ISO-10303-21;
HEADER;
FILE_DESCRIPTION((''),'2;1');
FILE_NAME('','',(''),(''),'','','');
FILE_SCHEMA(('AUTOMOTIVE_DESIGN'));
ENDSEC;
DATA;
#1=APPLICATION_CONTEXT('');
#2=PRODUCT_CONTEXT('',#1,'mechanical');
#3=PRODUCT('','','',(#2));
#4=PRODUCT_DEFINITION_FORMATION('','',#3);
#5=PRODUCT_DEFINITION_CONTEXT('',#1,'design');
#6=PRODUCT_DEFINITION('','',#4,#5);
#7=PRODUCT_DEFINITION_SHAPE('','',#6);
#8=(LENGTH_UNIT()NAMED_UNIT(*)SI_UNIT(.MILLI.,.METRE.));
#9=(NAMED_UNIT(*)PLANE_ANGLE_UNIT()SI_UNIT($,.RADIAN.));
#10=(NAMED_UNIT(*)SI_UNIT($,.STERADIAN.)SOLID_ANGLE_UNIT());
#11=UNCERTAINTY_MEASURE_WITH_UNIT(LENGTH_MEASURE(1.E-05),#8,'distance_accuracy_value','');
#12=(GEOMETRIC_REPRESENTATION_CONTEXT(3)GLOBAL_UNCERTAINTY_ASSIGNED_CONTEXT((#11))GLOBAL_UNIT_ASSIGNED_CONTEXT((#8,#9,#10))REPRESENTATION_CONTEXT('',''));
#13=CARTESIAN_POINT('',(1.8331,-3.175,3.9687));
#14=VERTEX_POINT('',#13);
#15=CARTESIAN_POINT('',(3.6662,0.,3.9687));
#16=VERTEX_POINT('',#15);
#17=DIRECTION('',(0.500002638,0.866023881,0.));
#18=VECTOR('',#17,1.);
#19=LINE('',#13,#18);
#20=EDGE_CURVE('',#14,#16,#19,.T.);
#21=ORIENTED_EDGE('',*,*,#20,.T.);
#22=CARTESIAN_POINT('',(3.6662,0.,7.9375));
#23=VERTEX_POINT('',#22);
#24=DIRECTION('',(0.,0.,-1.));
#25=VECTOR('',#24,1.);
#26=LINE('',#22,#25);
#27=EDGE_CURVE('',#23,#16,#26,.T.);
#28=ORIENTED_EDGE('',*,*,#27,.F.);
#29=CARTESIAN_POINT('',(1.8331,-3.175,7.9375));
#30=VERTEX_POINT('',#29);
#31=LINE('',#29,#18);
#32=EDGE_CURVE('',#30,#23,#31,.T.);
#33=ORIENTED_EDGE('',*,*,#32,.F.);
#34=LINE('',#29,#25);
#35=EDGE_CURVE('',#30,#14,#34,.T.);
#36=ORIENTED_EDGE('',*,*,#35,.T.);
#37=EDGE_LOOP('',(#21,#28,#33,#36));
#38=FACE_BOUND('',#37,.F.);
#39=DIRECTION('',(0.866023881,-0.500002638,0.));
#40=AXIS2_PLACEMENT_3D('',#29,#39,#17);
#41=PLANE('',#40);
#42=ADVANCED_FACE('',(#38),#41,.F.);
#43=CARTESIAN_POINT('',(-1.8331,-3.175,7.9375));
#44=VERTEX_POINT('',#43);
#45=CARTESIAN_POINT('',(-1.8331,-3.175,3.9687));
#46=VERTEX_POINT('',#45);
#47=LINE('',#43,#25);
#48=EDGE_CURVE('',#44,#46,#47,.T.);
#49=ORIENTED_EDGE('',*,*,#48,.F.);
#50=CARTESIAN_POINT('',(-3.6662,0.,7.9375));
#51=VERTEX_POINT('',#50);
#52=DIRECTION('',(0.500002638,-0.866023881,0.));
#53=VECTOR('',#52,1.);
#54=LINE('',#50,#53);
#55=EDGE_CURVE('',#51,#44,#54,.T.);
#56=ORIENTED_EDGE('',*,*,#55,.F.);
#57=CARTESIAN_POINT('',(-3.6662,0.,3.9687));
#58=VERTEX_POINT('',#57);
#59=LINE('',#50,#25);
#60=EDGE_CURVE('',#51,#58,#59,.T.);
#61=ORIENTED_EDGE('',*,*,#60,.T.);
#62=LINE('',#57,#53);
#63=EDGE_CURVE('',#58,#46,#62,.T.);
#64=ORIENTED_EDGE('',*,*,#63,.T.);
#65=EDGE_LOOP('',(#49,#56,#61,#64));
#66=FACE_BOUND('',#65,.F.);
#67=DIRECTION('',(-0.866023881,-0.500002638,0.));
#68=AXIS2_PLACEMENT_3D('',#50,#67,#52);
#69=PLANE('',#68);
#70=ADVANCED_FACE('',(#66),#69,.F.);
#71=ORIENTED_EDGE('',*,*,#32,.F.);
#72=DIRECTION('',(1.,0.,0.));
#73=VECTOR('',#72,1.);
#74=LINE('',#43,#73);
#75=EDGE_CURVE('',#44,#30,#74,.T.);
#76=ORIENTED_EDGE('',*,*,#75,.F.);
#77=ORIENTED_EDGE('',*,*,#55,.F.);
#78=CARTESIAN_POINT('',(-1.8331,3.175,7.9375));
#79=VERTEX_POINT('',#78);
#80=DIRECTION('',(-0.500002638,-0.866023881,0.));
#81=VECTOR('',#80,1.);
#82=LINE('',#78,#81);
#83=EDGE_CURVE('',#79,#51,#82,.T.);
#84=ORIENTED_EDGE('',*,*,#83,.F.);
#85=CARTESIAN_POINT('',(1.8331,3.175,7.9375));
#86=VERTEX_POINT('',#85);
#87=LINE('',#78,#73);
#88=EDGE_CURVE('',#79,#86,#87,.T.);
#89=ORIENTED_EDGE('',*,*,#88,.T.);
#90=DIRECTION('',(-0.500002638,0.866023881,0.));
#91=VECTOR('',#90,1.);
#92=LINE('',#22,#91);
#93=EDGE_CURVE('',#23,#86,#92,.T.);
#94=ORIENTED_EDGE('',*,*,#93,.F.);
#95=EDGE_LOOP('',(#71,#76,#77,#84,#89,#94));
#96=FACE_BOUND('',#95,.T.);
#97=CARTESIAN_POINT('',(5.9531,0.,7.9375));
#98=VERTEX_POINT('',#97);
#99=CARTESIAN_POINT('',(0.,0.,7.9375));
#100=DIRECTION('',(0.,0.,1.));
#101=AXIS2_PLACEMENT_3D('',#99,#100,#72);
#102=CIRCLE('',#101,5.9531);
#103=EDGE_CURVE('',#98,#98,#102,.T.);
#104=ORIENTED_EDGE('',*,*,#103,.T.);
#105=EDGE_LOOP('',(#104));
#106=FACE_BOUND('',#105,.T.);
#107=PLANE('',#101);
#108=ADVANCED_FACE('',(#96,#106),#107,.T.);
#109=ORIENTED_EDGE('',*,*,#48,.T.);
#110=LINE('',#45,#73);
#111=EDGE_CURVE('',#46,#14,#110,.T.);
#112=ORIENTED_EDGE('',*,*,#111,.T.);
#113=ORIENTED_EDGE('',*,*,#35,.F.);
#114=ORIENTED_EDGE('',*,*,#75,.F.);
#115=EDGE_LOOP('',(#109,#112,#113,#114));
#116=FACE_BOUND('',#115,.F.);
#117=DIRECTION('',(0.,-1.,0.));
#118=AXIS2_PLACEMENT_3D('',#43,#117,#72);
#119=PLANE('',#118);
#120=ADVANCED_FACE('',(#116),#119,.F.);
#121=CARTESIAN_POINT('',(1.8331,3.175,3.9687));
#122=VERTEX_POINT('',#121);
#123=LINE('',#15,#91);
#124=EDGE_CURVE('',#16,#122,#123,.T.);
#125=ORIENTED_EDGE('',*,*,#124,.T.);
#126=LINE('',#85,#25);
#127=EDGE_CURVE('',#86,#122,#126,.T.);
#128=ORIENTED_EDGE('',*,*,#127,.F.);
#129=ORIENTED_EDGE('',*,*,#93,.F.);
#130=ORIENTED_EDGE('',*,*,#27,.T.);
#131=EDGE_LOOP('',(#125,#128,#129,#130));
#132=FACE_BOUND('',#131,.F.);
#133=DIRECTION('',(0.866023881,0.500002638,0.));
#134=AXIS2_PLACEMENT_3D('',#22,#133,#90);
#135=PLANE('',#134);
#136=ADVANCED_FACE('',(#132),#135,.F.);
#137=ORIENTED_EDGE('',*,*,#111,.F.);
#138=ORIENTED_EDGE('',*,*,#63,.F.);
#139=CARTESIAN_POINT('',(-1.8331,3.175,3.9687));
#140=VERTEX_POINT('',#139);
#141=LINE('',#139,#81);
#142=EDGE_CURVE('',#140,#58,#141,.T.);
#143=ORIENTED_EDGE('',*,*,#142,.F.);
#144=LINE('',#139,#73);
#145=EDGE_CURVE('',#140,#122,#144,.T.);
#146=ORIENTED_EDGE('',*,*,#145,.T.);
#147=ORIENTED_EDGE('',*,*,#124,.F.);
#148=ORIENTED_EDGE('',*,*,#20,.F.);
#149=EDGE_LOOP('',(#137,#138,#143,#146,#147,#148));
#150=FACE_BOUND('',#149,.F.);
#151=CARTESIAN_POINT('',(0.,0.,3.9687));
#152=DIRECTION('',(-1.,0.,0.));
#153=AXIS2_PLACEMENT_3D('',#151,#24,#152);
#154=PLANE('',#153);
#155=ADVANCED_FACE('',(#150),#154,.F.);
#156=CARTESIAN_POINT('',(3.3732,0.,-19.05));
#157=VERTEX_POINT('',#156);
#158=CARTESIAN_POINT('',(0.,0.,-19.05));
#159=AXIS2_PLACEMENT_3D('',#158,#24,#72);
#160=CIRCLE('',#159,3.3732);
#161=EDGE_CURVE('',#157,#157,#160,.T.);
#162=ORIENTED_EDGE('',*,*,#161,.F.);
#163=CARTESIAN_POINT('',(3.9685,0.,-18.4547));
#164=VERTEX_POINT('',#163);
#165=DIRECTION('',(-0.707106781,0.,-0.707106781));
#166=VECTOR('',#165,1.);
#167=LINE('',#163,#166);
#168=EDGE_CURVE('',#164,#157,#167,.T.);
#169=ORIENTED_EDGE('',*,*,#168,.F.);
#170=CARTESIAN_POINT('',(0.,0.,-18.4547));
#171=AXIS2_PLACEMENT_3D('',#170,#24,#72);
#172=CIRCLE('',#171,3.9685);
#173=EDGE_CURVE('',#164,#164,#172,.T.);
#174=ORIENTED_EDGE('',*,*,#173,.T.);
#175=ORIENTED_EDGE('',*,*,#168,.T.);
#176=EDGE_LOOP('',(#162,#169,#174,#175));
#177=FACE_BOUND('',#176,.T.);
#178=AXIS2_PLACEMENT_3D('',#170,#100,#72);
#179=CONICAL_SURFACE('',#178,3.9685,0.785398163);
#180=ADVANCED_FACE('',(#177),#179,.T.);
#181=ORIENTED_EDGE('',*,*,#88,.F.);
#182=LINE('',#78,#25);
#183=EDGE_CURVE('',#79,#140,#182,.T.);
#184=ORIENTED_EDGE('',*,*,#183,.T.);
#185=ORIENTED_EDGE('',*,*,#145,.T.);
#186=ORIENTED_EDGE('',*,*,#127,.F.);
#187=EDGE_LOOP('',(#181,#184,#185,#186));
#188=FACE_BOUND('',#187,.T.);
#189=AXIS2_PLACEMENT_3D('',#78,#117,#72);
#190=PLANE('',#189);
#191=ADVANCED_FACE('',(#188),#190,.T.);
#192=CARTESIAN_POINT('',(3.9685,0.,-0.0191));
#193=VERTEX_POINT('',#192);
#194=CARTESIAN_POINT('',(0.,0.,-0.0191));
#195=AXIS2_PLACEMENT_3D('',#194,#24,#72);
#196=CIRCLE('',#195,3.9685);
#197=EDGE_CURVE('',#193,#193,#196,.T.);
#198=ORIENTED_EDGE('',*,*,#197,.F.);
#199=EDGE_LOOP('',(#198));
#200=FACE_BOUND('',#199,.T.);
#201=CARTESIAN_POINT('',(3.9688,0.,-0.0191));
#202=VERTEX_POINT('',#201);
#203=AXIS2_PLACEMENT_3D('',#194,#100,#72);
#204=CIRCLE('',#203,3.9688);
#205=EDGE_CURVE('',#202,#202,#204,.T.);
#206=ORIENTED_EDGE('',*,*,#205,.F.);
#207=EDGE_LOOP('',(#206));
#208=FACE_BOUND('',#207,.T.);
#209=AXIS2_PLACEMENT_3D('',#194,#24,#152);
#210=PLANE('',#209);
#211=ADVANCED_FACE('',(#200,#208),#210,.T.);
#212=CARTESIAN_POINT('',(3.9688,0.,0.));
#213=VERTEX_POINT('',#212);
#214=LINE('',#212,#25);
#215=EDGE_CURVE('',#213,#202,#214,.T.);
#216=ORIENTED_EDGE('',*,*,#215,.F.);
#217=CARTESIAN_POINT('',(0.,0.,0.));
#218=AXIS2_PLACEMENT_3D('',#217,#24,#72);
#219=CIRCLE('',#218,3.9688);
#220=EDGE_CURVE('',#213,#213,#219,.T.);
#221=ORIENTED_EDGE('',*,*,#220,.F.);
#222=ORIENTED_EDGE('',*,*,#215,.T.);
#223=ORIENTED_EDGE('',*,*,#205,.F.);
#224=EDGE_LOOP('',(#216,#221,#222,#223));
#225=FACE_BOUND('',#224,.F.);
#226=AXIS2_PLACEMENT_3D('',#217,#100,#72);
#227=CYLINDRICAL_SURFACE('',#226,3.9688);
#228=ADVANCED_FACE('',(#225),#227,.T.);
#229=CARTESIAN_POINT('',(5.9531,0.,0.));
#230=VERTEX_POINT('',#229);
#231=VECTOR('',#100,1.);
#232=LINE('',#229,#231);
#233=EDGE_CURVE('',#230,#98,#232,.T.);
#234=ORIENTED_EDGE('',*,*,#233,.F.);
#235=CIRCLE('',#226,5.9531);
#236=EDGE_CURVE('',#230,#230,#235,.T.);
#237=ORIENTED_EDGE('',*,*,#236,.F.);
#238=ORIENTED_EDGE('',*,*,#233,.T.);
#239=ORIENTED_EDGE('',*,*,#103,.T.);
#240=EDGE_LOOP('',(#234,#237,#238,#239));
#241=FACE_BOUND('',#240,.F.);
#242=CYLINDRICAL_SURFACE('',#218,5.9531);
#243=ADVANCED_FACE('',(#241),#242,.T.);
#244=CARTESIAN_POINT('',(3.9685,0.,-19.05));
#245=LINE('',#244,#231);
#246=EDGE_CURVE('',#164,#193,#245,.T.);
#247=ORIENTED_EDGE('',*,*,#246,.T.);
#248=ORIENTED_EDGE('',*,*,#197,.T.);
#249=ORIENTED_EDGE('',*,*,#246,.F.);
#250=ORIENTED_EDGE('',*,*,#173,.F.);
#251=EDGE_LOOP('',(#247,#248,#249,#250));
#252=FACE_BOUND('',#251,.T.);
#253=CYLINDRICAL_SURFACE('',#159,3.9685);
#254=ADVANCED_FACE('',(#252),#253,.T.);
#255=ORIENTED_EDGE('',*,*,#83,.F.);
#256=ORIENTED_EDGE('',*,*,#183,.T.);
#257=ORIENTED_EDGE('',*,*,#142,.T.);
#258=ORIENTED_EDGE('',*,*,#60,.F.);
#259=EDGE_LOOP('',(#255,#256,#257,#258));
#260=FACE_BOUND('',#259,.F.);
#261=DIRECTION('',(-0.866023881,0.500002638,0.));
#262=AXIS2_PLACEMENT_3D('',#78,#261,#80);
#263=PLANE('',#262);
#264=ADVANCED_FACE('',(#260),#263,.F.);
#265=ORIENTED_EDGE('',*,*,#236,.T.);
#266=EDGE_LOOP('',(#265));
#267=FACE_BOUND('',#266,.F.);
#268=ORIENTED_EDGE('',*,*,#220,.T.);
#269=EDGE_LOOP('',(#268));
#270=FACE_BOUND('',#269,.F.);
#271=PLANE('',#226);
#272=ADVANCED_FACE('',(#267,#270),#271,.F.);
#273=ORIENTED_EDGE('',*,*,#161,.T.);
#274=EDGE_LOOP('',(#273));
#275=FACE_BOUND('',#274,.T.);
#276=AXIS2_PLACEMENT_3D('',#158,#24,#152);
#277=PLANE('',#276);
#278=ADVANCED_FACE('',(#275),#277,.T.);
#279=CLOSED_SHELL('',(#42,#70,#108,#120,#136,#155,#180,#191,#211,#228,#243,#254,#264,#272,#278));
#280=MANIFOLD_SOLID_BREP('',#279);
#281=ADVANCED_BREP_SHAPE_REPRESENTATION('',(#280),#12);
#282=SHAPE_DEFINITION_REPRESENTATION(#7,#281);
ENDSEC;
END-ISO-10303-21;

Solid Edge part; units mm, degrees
sketch "Sketch1" plane through (0, 0, 0) normal (0, 0, 1) x (1, 0, 0)
  circle A0 centre (0, 0) radius 5.9531
  dimension "D1" = 11.9062
extrude "Protrusion1" add sketch "Sketch1" along normal blind 7.9375
sketch "Sketch2" plane through (0, 0, 0) normal (0, 0, -1) x (1, 0, 0)
  circle A0 centre (0, 0) radius 3.9688
extrude "Protrusion2" add sketch "Sketch2" along normal blind 19.05
sketch "Sketch3" plane through (0, 0, -19.05) normal (0, 0, -1) x (1, 0, 0)
  circle A0 centre (0, 0) radius 3.9685
extrude "Cutout1" cut sketch "Sketch3" against normal blind 19.0309 flip side to cut
chamfer "Chamfer_1" distance 0.5953 angle 45 1 edges at (-3.9685, 0, -19.05)
sketch "Sketch4" plane through (0, 0, 7.9375) normal (0, 0, 1) x (1, 0, 0)
  line L0 (-1.8331, 3.175) -> (1.8331, 3.175)
  line L1 (3.6662, 0) -> (1.8331, 3.175)
  line L2 (1.8331, -3.175) -> (3.6662, 0)
  line L3 (-1.8331, -3.175) -> (1.8331, -3.175)
  line L4 (-3.6662, 0) -> (-1.8331, -3.175)
  line L5 (-1.8331, 3.175) -> (-3.6662, 0)
  dimension "D1" = 6.35
extrude "Cutout2" cut sketch "Sketch4" against normal blind 3.9688
properties part number "24102207"
